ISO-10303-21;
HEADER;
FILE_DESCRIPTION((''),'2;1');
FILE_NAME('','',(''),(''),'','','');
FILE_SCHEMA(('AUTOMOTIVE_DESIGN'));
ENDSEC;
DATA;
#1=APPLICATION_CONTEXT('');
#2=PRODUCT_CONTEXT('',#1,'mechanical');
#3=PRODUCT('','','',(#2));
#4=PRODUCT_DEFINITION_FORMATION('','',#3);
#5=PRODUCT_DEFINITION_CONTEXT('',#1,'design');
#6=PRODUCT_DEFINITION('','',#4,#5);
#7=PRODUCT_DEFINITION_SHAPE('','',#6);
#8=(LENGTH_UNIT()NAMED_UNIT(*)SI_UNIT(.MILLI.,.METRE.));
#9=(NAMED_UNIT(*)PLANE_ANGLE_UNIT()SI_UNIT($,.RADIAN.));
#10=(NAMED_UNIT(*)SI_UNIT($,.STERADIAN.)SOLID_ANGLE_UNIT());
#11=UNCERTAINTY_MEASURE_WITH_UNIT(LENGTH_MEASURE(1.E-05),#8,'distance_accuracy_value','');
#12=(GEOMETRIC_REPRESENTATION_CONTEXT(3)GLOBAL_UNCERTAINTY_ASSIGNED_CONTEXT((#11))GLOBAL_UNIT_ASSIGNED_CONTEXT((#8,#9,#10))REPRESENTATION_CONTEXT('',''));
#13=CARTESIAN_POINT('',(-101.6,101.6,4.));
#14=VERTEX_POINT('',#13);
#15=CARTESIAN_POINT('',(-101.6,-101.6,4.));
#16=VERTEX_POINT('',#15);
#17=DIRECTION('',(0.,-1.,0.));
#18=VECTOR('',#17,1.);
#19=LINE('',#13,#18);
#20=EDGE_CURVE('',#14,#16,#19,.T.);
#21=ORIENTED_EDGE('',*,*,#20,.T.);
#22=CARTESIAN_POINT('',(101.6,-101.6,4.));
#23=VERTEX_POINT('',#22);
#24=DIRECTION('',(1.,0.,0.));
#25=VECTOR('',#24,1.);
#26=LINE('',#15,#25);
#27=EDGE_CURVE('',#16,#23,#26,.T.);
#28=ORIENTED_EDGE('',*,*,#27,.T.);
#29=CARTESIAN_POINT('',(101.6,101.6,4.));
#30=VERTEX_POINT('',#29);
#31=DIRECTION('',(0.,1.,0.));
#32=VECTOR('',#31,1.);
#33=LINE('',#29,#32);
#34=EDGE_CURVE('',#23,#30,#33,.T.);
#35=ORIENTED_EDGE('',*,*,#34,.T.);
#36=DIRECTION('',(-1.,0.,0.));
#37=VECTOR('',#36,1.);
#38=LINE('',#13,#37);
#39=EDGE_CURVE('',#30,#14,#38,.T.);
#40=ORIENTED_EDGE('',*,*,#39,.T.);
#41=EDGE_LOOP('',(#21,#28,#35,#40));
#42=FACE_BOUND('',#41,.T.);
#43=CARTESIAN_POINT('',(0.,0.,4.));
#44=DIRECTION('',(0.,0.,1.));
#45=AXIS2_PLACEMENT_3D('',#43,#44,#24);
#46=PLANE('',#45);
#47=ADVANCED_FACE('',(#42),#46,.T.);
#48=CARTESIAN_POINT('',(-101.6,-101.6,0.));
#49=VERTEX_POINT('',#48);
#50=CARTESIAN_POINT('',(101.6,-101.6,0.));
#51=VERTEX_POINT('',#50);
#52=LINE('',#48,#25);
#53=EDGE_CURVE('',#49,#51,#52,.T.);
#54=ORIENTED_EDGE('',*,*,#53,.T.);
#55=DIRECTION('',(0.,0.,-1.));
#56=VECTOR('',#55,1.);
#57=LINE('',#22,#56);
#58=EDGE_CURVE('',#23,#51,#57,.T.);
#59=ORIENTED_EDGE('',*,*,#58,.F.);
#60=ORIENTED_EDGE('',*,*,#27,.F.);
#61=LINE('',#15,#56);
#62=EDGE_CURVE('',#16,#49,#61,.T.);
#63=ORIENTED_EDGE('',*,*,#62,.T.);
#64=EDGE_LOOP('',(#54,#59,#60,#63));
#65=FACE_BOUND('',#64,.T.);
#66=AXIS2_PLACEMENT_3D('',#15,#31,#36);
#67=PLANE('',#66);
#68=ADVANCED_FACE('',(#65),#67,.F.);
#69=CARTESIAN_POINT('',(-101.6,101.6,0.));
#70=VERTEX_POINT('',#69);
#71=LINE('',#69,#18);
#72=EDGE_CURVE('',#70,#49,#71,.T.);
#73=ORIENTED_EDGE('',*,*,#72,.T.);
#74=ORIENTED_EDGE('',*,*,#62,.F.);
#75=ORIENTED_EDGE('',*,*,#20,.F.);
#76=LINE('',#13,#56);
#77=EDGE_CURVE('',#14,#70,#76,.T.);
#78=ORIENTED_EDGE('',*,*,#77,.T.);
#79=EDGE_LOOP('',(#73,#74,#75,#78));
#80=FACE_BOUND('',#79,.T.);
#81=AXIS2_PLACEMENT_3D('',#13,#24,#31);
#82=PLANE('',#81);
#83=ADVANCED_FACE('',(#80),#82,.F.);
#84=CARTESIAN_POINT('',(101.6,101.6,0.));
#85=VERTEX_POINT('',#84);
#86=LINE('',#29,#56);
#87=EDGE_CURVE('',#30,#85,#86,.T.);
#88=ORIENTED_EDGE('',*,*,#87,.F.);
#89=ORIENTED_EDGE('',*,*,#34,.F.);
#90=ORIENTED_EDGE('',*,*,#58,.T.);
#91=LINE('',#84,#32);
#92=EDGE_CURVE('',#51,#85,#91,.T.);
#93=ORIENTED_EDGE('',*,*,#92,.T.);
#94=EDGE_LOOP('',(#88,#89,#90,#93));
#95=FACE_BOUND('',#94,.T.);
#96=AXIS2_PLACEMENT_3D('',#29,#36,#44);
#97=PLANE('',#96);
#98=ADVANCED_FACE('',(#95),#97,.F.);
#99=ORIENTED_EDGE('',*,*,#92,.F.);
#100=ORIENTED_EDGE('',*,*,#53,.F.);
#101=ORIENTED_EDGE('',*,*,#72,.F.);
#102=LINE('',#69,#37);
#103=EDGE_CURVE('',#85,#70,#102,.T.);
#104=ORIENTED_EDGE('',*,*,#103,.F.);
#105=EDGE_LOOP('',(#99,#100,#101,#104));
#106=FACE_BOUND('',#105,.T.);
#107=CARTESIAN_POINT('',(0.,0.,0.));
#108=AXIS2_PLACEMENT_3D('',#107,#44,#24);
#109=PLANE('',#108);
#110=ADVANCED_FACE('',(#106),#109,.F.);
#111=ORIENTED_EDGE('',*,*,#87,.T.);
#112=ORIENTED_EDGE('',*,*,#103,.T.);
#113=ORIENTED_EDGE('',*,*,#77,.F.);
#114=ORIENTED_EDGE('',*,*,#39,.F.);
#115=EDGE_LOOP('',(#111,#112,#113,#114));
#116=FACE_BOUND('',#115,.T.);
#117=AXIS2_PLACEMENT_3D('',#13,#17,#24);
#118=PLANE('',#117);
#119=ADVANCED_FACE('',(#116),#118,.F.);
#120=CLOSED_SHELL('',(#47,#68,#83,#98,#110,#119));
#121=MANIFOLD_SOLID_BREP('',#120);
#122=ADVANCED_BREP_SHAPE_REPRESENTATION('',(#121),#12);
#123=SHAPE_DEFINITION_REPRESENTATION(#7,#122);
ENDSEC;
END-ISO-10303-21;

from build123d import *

# Parameters (mm, degrees)
SKETCH1_W           = 203.2
SKETCH1_H           = 203.2
BOSS_EXTRUDE1_DEPTH = 4


with BuildPart() as part:
    # Sketch1 → Boss-Extrude1 (new body)
    with BuildSketch(Plane.XY):
        Rectangle(SKETCH1_W, SKETCH1_H)
    extrude(amount=BOSS_EXTRUDE1_DEPTH)


solid = part.part
